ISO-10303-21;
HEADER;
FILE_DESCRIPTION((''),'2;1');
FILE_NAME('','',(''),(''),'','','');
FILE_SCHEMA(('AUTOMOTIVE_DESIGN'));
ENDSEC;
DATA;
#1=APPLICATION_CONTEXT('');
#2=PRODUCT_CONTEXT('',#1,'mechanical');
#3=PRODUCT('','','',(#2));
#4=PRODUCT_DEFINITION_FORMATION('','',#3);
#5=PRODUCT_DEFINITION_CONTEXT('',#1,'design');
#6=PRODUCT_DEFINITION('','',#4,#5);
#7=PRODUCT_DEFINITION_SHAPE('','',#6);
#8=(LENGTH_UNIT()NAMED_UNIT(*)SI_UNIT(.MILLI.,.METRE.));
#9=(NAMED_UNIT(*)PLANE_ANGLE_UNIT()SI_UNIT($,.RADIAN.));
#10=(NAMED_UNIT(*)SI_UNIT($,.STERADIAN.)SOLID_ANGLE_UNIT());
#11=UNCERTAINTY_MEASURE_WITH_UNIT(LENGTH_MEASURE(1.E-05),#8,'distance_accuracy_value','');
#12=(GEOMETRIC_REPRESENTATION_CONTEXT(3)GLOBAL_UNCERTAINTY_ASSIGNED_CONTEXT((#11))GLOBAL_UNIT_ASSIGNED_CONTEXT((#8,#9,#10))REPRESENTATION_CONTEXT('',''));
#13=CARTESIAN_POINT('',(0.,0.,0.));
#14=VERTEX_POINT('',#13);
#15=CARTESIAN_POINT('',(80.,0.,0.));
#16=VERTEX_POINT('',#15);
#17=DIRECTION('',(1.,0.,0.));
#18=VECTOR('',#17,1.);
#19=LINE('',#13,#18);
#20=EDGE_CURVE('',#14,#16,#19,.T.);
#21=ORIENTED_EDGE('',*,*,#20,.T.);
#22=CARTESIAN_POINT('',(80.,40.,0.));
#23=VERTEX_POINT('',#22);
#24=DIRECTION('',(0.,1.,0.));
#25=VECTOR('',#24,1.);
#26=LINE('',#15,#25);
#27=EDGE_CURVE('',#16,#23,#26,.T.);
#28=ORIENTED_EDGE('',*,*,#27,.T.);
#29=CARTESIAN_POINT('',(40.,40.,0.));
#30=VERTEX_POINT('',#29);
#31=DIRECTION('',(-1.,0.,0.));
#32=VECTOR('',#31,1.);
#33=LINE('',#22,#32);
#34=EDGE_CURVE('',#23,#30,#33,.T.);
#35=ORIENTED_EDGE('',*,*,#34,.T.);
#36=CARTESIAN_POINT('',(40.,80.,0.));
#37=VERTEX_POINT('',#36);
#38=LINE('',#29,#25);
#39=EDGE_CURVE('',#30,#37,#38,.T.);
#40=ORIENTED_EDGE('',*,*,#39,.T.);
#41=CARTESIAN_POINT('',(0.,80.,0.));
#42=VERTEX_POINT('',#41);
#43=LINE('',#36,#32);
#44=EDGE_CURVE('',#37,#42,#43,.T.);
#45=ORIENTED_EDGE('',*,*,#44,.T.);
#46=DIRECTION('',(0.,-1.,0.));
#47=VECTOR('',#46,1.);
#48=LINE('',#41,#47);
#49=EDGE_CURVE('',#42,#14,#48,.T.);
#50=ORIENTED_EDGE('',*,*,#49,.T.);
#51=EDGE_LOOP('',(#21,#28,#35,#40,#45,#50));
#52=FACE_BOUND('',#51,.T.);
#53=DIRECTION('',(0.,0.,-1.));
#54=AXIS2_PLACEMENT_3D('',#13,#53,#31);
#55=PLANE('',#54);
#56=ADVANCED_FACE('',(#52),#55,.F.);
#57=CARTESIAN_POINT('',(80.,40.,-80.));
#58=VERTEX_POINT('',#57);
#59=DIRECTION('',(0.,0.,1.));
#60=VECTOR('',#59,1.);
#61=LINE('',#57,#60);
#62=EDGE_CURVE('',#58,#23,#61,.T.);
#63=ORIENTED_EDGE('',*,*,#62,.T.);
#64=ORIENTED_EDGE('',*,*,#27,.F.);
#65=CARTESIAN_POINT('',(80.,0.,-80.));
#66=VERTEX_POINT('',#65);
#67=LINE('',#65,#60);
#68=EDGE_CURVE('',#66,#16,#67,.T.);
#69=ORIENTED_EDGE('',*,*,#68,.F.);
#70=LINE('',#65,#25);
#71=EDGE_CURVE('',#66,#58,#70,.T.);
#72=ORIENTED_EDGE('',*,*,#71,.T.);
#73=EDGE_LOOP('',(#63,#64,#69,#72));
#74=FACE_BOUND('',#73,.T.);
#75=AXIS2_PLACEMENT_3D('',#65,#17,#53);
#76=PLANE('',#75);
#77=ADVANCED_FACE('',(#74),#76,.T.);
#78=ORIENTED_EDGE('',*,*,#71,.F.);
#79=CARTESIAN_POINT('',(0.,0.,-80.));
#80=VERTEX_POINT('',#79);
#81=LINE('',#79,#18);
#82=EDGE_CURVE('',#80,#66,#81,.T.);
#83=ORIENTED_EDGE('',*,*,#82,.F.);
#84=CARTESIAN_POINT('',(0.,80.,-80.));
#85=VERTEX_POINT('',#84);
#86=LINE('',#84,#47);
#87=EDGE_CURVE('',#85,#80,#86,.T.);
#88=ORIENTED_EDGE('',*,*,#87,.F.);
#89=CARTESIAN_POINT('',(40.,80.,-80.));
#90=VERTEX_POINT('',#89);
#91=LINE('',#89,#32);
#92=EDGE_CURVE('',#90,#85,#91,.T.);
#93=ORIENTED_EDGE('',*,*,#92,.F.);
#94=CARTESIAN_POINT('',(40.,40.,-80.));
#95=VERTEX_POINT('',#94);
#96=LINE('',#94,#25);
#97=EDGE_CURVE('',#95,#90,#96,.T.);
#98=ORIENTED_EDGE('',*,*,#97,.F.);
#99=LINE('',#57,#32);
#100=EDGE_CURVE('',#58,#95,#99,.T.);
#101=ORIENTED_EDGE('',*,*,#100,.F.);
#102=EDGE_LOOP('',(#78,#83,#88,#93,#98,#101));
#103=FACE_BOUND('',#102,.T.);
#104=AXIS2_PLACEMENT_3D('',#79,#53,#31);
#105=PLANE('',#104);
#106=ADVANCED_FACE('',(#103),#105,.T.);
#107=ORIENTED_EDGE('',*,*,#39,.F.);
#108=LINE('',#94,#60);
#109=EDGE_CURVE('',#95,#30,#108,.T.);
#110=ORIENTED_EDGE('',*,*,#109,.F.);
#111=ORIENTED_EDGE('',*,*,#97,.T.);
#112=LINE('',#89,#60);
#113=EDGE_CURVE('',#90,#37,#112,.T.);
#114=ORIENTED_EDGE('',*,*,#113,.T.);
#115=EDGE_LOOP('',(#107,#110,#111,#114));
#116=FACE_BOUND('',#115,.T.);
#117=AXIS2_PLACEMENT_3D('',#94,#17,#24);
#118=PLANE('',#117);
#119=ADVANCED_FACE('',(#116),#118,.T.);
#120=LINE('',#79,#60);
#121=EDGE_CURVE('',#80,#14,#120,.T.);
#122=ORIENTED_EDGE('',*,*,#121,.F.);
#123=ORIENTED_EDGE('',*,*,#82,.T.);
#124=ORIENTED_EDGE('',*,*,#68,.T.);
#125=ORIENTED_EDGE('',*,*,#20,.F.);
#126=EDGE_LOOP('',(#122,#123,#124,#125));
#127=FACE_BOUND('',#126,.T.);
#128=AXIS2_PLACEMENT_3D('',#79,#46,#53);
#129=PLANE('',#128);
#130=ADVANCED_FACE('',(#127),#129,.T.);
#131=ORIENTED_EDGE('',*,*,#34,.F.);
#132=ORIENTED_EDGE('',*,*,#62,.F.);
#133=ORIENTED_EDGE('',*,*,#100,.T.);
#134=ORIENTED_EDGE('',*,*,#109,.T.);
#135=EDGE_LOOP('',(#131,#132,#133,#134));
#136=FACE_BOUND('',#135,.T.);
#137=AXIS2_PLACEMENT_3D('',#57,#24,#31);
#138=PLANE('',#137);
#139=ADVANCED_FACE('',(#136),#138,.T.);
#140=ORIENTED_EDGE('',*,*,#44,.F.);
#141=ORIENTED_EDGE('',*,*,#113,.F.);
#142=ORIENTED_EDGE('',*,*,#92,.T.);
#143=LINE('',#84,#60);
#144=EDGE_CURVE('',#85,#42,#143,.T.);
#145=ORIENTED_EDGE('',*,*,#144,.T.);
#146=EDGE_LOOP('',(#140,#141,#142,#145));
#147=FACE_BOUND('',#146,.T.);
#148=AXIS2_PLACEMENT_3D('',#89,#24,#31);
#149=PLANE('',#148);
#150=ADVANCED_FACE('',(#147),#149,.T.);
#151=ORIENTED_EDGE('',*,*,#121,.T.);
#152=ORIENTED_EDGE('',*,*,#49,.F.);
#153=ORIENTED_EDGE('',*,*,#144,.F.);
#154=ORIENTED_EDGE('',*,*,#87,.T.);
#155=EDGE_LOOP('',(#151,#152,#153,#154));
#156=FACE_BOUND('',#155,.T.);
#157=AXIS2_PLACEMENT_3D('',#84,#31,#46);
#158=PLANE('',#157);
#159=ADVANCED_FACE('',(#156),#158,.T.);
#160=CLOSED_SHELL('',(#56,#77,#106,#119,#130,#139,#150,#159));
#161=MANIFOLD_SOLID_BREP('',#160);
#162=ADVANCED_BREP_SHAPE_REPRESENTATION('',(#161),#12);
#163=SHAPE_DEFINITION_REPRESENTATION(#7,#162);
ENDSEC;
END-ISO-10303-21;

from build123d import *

# Parameters (mm, degrees)
BOSS_EXTRUDE2_DEPTH = 80


with BuildPart() as part:
    # Sketch1 → Boss-Extrude2 (new body)
    with BuildSketch(Plane.XY):
        Polygon((0, 0), (80, 0), (80, 40), (40, 40), (40, 80), (0, 80), align=None)
    extrude(amount=-BOSS_EXTRUDE2_DEPTH)


solid = part.part
